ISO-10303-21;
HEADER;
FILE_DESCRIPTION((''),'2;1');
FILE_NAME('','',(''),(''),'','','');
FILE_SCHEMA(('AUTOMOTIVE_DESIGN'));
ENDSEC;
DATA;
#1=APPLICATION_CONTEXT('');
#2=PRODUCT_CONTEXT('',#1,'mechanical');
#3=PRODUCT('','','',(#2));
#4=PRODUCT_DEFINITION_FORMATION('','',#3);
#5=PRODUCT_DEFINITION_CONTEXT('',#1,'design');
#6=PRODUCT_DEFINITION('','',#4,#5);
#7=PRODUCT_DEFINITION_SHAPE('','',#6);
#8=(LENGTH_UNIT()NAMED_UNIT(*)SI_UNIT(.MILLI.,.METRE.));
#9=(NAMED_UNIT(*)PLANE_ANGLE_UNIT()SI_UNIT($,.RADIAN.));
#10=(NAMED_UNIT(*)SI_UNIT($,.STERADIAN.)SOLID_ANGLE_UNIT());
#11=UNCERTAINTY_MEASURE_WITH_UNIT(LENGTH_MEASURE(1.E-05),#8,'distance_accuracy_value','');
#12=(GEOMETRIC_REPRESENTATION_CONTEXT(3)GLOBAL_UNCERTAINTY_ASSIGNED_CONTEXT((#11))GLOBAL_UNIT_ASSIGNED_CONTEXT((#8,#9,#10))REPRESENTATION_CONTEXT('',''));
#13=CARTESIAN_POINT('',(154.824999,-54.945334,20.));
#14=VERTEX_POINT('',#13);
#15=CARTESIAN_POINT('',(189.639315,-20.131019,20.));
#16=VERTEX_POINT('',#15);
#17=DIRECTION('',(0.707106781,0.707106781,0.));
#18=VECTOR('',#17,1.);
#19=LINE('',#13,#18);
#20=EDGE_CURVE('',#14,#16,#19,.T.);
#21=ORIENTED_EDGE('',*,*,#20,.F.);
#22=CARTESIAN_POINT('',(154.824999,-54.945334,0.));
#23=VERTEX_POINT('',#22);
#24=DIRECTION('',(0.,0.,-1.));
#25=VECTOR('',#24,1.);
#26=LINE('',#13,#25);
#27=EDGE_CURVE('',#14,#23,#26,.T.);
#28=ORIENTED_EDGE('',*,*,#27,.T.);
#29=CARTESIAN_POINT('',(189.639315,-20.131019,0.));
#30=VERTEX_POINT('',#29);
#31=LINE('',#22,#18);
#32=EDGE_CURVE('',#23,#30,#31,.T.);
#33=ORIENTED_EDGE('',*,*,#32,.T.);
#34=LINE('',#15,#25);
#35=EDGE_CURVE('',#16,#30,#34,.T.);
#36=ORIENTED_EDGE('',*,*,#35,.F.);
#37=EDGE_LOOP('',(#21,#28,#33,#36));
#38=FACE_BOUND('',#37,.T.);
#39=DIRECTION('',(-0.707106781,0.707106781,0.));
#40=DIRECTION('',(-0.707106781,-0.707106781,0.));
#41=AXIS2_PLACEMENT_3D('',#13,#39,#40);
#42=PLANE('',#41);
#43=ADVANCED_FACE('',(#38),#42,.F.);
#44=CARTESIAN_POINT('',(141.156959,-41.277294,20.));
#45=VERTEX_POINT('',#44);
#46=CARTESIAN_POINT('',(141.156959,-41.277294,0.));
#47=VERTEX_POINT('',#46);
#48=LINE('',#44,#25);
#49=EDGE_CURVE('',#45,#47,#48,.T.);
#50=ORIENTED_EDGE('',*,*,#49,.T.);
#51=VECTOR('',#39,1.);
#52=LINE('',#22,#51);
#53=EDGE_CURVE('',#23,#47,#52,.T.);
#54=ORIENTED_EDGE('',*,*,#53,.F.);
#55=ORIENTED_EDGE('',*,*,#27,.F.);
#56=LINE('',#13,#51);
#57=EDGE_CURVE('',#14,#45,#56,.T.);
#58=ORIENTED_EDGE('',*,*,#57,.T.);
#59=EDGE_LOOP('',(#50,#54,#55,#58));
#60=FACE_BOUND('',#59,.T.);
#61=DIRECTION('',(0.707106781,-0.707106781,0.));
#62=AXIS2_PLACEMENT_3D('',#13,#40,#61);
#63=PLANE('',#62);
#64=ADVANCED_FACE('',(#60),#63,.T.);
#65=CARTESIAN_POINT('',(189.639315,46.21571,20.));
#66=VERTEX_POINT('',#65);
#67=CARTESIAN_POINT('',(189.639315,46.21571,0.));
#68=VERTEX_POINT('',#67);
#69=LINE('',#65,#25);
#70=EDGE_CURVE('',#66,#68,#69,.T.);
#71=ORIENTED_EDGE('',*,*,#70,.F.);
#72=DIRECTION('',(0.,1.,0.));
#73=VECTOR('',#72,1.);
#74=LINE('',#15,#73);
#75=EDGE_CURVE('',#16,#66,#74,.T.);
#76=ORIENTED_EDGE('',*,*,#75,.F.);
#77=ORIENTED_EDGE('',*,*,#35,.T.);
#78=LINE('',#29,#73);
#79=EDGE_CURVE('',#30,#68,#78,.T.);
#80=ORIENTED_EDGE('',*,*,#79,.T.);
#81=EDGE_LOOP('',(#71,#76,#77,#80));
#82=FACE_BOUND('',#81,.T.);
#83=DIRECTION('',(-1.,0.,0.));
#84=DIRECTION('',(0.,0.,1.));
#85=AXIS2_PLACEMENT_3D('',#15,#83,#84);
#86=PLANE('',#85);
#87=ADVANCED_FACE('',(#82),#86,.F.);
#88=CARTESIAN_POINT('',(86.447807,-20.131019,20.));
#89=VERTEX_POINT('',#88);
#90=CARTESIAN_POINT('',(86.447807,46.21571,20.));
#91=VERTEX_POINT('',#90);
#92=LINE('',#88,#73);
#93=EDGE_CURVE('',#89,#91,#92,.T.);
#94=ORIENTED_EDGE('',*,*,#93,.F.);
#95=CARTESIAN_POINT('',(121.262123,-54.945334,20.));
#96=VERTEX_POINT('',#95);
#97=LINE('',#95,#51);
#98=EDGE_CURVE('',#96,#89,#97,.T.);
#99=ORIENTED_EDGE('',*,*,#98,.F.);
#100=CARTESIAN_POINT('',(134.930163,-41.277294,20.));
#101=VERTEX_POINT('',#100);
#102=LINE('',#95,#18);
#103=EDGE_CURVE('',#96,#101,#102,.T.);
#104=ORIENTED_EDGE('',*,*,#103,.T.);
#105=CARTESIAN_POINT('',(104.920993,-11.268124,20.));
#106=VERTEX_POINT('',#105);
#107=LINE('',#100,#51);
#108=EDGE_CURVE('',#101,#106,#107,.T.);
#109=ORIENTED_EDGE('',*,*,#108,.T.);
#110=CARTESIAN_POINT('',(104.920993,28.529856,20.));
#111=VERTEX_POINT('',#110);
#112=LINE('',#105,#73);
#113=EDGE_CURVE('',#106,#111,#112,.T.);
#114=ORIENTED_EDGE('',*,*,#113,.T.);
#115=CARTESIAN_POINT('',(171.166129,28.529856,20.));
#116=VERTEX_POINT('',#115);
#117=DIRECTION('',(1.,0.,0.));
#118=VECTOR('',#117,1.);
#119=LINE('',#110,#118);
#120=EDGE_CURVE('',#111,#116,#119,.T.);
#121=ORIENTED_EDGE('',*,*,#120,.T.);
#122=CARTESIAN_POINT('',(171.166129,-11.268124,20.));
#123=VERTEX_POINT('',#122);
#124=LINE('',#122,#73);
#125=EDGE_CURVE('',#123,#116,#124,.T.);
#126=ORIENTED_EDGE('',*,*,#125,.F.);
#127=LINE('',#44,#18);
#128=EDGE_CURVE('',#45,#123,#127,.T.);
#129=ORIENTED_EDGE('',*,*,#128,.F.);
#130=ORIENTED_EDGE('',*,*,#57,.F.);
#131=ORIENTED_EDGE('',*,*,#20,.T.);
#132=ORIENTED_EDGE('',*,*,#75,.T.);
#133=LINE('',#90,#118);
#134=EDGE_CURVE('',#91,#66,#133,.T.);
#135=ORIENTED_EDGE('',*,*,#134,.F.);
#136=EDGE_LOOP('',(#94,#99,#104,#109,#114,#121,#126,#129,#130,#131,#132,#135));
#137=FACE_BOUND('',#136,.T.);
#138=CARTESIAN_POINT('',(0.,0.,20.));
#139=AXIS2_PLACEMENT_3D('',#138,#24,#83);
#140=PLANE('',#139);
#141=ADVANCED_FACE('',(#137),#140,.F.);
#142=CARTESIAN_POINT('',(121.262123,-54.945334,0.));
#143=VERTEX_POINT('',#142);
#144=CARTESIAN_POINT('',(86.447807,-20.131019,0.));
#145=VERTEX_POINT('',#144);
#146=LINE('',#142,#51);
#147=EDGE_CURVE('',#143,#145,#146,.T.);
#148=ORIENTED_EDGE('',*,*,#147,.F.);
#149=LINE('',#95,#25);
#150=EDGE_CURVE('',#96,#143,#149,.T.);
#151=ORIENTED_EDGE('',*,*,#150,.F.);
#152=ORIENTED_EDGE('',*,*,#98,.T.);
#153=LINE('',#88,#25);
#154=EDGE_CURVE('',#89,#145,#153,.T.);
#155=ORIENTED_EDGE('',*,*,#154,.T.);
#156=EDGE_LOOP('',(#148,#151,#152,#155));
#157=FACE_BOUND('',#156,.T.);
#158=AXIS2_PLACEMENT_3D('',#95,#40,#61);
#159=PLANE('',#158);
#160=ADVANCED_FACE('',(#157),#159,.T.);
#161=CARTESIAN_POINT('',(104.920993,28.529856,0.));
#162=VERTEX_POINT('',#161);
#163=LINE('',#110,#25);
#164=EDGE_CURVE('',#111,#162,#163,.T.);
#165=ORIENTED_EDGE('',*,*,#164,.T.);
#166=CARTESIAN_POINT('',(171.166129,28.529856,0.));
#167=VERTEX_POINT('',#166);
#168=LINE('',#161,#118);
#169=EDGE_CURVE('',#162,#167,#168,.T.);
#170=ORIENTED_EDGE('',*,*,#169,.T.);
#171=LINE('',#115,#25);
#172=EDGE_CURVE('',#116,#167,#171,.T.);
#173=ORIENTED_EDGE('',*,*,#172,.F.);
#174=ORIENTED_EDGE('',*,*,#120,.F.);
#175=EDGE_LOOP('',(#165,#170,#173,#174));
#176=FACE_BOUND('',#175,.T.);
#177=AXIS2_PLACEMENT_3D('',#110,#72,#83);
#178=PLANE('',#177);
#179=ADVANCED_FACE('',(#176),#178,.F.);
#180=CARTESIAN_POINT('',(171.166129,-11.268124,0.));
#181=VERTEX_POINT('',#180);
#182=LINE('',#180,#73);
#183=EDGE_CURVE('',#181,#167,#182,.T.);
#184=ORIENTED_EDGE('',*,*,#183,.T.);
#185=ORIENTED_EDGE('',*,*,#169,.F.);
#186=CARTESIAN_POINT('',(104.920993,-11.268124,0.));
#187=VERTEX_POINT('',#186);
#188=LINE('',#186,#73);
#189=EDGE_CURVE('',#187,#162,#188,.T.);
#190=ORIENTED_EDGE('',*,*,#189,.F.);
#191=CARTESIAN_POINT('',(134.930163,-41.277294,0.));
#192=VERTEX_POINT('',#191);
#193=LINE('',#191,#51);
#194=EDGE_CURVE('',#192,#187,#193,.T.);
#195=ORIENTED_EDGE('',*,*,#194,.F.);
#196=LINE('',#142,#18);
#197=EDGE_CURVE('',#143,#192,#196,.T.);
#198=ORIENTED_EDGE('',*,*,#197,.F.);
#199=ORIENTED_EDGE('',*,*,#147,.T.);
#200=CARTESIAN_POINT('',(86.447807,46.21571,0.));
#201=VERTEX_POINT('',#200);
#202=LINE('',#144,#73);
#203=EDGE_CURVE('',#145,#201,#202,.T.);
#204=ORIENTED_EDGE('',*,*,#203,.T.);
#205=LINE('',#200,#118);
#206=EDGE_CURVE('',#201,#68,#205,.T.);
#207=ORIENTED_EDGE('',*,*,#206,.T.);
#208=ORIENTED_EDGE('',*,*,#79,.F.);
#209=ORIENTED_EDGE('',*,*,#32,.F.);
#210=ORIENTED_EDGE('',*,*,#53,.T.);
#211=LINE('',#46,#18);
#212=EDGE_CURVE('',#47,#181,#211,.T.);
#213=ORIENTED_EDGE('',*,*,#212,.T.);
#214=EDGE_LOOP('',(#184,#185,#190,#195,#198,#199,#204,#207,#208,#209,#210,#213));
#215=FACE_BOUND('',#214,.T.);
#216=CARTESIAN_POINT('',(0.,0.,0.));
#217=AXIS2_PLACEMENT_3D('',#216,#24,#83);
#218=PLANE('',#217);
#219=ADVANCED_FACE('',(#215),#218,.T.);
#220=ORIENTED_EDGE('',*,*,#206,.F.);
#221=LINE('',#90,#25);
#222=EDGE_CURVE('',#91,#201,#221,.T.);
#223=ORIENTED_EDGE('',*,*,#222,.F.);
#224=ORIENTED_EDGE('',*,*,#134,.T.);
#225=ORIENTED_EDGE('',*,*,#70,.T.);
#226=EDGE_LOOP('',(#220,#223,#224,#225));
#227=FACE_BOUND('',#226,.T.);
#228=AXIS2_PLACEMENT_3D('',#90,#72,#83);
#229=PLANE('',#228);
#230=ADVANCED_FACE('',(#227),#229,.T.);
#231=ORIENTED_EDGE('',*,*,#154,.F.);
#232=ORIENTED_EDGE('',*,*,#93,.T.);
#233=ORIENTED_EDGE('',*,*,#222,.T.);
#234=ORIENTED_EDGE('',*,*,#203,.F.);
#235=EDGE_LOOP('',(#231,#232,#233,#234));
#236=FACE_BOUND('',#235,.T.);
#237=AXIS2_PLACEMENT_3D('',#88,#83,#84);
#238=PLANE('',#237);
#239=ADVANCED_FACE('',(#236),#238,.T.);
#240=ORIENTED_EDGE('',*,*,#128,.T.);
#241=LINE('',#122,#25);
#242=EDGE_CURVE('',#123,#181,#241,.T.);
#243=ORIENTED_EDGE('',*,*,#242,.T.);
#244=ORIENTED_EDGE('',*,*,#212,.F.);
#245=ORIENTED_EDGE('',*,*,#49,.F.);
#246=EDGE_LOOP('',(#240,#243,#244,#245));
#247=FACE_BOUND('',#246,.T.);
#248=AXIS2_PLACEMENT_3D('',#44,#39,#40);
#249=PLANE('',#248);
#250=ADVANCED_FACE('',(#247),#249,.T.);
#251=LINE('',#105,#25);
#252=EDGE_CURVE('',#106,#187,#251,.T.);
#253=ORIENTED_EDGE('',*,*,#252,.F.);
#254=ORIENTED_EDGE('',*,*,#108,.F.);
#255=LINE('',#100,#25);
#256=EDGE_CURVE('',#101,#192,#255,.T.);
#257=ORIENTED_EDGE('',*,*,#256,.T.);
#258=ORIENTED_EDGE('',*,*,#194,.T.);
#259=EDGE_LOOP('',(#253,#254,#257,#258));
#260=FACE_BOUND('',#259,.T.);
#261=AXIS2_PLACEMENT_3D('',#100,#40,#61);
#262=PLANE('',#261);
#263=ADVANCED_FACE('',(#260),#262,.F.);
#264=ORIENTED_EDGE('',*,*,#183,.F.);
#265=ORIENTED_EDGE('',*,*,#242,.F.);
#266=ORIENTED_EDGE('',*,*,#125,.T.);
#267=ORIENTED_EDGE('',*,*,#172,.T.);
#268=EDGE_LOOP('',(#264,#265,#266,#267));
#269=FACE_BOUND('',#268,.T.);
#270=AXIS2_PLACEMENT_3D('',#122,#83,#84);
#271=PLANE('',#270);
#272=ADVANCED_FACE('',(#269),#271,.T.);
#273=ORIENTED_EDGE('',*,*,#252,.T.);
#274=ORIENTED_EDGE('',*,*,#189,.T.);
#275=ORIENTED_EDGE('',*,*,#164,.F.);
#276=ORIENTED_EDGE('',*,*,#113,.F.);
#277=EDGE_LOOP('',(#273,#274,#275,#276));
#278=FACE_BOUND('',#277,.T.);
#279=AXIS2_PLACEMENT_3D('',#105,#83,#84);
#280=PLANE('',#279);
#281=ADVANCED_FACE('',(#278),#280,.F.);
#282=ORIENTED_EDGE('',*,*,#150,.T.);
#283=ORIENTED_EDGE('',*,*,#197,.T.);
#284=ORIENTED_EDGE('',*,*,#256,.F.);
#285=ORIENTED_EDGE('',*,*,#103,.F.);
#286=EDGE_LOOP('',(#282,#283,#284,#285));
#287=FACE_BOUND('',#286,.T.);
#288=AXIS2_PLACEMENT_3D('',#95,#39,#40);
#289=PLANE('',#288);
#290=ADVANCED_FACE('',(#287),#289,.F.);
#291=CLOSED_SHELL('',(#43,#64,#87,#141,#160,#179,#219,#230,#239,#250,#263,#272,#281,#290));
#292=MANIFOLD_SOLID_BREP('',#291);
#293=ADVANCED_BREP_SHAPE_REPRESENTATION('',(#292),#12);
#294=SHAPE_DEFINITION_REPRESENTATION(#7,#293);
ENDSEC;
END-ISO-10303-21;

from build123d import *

# Parameters (mm, degrees)
BOSS_EXTRUDE1_DEPTH = 20


with BuildPart() as part:
    # Sketch2 → Boss-Extrude1 (new body)
    with BuildSketch(Plane.XY):
        Polygon((121.262122634, -54.94533424), (86.447807088, -20.131018695), (86.447807088, 46.215709925), (189.639314868, 46.215709925), (189.639314868, -20.131018695), (154.824999322, -54.94533424), (141.156959102, -41.277294021), (171.166129255, -11.268123868), (171.166129255, 28.52985593), (104.920992701, 28.52985593), (104.920992701, -11.268123868), (134.930162854, -41.277294021), align=None)
    extrude(amount=BOSS_EXTRUDE1_DEPTH)


solid = part.part
